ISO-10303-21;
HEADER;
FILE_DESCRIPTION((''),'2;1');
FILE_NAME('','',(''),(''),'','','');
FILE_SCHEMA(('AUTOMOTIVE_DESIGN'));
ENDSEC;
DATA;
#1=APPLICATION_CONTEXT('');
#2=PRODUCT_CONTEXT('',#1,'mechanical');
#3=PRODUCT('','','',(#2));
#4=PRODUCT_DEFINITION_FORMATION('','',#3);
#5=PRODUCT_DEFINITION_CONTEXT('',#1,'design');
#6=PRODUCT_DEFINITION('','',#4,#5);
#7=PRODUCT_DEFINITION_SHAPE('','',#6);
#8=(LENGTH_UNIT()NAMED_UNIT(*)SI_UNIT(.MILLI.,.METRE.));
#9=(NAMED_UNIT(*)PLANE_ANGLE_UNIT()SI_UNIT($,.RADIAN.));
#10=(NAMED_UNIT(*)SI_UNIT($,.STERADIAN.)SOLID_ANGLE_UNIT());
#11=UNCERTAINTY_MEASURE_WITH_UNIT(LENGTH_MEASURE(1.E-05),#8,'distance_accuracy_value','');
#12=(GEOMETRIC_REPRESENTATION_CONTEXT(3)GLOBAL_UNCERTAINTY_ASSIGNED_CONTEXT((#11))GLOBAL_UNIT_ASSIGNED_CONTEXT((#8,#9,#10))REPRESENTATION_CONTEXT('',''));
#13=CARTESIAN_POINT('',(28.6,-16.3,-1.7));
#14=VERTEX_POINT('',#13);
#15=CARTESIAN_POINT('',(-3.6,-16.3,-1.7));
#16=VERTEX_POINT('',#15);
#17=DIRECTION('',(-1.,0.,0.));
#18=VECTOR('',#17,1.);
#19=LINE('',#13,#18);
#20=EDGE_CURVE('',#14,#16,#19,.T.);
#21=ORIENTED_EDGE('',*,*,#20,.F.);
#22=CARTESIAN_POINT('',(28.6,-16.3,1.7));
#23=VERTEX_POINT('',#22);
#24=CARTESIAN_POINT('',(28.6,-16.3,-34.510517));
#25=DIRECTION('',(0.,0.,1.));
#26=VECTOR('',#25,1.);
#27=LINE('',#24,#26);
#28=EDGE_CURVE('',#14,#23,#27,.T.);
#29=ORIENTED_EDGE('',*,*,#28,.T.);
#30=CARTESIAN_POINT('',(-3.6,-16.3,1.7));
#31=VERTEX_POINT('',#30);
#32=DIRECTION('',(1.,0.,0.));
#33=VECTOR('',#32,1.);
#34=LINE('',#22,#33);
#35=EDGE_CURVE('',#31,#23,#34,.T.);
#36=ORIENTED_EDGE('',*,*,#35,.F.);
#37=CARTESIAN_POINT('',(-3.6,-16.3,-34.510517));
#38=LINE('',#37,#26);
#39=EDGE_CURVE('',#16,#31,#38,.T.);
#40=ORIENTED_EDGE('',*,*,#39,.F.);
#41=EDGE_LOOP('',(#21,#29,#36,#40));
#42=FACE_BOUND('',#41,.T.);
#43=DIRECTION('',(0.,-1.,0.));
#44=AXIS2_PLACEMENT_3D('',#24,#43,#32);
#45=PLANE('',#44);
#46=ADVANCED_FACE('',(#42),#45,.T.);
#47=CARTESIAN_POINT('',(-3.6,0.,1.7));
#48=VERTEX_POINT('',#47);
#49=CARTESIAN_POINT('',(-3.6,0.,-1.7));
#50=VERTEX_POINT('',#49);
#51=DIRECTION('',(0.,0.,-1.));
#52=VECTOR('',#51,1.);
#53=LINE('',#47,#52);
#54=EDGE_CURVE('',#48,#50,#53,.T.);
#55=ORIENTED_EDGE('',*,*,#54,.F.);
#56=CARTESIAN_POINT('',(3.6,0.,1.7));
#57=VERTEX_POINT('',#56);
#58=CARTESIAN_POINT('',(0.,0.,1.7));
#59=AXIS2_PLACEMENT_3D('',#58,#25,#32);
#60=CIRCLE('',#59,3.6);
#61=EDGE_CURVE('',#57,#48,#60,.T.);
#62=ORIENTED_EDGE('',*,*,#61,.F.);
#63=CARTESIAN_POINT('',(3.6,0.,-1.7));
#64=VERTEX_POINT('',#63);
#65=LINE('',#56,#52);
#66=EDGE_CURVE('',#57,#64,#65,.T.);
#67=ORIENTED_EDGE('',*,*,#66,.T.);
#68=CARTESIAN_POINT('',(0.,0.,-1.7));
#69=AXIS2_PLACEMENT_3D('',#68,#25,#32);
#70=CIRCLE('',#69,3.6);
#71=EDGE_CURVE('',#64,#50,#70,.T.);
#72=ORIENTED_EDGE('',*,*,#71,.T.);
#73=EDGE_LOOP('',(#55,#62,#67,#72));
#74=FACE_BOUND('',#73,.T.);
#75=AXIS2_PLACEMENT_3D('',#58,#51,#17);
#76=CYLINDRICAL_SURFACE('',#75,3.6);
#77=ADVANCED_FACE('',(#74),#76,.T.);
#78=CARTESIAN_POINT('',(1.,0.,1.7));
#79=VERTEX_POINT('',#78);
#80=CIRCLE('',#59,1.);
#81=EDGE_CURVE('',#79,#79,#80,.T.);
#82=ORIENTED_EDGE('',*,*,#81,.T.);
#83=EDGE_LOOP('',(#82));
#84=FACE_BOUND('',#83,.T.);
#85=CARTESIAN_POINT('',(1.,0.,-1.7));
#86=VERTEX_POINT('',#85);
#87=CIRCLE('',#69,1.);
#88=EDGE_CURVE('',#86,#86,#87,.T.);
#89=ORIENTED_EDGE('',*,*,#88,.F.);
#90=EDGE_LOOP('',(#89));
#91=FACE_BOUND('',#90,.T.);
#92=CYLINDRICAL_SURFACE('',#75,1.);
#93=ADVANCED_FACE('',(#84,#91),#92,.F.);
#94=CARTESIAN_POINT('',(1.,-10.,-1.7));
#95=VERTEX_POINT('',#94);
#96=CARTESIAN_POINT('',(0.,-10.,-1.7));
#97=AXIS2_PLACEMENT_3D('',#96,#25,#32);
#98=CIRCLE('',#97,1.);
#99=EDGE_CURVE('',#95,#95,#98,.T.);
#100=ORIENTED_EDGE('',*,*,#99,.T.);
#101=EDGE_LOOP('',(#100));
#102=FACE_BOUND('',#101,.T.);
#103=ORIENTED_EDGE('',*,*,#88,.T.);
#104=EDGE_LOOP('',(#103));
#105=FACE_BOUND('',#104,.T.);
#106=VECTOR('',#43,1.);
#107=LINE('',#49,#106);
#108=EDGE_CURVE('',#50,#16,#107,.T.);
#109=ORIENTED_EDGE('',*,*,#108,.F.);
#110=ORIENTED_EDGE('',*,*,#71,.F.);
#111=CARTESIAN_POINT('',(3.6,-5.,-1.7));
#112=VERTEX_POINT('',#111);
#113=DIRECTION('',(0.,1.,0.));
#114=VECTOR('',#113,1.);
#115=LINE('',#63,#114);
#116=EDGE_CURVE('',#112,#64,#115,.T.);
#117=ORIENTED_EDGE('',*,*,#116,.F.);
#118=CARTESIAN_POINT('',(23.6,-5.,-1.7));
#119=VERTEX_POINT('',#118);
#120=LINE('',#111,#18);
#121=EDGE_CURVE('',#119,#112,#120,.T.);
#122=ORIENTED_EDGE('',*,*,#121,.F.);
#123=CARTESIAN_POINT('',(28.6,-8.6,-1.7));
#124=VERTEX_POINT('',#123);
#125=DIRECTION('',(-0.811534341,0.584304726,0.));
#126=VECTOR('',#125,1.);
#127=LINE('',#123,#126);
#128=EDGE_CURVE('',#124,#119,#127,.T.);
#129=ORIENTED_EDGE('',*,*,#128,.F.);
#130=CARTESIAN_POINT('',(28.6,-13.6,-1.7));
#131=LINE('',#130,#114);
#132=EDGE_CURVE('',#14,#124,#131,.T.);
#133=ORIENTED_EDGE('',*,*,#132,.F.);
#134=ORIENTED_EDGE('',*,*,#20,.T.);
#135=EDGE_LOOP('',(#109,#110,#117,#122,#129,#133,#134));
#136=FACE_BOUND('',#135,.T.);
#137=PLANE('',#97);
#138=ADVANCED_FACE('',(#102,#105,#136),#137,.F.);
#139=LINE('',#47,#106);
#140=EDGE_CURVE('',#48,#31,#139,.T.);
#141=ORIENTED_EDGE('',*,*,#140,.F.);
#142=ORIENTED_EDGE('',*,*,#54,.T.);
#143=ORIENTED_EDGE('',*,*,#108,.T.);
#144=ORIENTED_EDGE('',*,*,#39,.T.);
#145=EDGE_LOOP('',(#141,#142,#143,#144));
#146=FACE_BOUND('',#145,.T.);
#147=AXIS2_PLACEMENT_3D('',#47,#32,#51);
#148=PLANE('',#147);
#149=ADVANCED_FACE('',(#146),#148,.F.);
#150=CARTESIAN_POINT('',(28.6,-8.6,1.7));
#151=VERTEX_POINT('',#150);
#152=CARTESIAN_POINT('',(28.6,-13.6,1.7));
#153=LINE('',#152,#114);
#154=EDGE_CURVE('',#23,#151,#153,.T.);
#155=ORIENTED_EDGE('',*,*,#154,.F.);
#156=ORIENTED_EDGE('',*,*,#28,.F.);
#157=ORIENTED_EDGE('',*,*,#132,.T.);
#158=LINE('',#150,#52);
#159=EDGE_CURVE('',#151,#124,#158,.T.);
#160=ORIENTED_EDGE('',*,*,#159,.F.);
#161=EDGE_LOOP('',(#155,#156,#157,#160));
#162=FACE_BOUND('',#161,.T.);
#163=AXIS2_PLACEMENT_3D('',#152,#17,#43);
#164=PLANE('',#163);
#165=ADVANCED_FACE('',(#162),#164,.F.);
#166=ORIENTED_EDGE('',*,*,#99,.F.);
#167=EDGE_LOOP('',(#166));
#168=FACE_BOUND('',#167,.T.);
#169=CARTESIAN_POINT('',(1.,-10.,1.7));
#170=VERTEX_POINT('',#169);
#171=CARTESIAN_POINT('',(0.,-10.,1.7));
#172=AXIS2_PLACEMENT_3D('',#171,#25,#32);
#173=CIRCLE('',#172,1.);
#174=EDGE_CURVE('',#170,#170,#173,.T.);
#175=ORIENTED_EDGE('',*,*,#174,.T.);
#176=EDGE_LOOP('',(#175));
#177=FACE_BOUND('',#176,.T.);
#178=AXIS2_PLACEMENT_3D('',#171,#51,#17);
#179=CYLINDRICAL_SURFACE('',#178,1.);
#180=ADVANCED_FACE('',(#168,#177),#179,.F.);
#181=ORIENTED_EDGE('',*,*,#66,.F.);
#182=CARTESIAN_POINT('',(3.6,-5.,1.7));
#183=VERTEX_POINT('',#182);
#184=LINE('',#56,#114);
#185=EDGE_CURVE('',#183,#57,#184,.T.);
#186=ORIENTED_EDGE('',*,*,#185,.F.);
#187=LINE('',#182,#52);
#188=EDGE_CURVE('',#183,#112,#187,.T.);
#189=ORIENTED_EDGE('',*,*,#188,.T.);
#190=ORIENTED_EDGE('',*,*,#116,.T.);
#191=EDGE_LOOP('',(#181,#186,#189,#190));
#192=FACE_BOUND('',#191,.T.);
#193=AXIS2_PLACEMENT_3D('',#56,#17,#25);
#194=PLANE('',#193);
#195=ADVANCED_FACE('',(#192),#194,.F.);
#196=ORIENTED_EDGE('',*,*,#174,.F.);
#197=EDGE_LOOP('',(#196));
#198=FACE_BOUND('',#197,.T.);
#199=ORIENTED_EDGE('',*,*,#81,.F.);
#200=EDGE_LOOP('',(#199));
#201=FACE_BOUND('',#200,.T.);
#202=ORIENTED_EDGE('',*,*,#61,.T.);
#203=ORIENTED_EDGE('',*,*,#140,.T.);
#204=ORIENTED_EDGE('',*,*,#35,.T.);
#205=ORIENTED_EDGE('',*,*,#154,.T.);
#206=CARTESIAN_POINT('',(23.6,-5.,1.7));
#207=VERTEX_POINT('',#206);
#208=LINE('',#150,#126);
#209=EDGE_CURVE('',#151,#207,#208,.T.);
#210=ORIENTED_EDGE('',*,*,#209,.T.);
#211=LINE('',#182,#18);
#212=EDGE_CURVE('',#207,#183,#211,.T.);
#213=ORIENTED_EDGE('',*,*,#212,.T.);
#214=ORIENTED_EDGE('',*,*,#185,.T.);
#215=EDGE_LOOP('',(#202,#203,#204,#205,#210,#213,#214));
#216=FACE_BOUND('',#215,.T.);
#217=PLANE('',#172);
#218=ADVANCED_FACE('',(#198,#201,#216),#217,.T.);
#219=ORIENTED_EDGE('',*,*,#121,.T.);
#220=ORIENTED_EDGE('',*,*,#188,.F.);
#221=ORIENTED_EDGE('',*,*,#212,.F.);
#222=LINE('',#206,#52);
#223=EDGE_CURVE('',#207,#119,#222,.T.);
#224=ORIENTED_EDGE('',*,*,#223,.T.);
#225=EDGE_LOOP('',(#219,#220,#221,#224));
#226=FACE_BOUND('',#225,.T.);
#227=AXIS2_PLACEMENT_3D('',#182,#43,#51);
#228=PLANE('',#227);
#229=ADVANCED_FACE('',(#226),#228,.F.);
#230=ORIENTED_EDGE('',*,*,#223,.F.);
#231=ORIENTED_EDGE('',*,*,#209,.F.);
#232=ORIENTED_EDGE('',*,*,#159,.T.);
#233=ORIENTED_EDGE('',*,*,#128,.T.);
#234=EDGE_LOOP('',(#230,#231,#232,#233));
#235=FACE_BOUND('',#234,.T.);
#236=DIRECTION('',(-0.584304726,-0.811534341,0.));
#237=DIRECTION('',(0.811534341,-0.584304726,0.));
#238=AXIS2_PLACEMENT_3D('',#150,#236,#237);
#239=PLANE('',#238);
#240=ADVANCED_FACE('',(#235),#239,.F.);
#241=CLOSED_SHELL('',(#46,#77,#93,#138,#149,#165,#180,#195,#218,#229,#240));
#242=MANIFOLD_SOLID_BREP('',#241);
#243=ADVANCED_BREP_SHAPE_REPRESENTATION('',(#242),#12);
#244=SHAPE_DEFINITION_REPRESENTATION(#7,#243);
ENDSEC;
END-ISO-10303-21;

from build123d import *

# Parameters (mm, degrees)
CROQUIS1_R              = 1
SALIENTE_EXTRUIR1_DEPTH = 1.7
CROQUIS3_W              = 15
CROQUIS3_H              = 10.99
SALIENTE_EXTRUIR2_DEPTH = 3.4
CROQUIS4_W              = 15
CROQUIS4_H              = 3.4
CORTAR_EXTRUIR1_DEPTH   = 10.99
SALIENTE_EXTRUIR3_DEPTH = 3.4


with BuildPart() as part:
    # Croquis1 → Saliente-Extruir1 (new, symmetric)
    with BuildSketch(Plane.XY):
        with BuildLine():
            Line((-3.6, 0), (-3.6, -10))
            ThreePointArc((-3.6, -10), (-2.545584412, -12.545584412), (0, -13.6))
            Line((0, -13.6), (28.6, -13.6))
            Line((28.6, -13.6), (28.6, -8.6))
            Line((28.6, -8.6), (23.6, -5))
            Line((23.6, -5), (3.6, -5))
            Line((3.6, -5), (3.6, 0))
            ThreePointArc((3.6, 0), (0, 3.6), (-3.6, 0))
        make_face()
        Circle(CROQUIS1_R, mode=Mode.SUBTRACT)
        with Locations((0, -10)):
            Circle(CROQUIS1_R, mode=Mode.SUBTRACT)
    extrude(amount=SALIENTE_EXTRUIR1_DEPTH, both=True)

    # Croquis3 → Saliente-Extruir2 (add)
    with BuildSketch(Plane(origin=(0, 0, -1.7), x_dir=(-1, 0, 0), z_dir=(0, 0, -1))):
        with Locations((-21.1, -19.095)):
            Rectangle(CROQUIS3_W, CROQUIS3_H)
    extrude(amount=-SALIENTE_EXTRUIR2_DEPTH)

    # Croquis4 → Cortar-Extruir1 (cut)
    with BuildSketch(Plane.XZ.offset(24.59)):
        with Locations((21.1, 0)):
            Rectangle(CROQUIS4_W, CROQUIS4_H)
    extrude(amount=-CORTAR_EXTRUIR1_DEPTH, mode=Mode.SUBTRACT)

    # Croquis5 → Saliente-Extruir3 (add)
    with BuildSketch(Plane.XY.offset(1.7)):
        with BuildLine():
            Line((28.6, -13.6), (28.6, -16.3))
            Line((28.6, -16.3), (-3.6, -16.3))
            Line((-3.6, -16.3), (-3.6, -10))
            ThreePointArc((-3.6, -10), (-2.545584412, -12.545584412), (0, -13.6))
            Line((0, -13.6), (28.6, -13.6))
        make_face()
    extrude(amount=-SALIENTE_EXTRUIR3_DEPTH)


solid = part.part
